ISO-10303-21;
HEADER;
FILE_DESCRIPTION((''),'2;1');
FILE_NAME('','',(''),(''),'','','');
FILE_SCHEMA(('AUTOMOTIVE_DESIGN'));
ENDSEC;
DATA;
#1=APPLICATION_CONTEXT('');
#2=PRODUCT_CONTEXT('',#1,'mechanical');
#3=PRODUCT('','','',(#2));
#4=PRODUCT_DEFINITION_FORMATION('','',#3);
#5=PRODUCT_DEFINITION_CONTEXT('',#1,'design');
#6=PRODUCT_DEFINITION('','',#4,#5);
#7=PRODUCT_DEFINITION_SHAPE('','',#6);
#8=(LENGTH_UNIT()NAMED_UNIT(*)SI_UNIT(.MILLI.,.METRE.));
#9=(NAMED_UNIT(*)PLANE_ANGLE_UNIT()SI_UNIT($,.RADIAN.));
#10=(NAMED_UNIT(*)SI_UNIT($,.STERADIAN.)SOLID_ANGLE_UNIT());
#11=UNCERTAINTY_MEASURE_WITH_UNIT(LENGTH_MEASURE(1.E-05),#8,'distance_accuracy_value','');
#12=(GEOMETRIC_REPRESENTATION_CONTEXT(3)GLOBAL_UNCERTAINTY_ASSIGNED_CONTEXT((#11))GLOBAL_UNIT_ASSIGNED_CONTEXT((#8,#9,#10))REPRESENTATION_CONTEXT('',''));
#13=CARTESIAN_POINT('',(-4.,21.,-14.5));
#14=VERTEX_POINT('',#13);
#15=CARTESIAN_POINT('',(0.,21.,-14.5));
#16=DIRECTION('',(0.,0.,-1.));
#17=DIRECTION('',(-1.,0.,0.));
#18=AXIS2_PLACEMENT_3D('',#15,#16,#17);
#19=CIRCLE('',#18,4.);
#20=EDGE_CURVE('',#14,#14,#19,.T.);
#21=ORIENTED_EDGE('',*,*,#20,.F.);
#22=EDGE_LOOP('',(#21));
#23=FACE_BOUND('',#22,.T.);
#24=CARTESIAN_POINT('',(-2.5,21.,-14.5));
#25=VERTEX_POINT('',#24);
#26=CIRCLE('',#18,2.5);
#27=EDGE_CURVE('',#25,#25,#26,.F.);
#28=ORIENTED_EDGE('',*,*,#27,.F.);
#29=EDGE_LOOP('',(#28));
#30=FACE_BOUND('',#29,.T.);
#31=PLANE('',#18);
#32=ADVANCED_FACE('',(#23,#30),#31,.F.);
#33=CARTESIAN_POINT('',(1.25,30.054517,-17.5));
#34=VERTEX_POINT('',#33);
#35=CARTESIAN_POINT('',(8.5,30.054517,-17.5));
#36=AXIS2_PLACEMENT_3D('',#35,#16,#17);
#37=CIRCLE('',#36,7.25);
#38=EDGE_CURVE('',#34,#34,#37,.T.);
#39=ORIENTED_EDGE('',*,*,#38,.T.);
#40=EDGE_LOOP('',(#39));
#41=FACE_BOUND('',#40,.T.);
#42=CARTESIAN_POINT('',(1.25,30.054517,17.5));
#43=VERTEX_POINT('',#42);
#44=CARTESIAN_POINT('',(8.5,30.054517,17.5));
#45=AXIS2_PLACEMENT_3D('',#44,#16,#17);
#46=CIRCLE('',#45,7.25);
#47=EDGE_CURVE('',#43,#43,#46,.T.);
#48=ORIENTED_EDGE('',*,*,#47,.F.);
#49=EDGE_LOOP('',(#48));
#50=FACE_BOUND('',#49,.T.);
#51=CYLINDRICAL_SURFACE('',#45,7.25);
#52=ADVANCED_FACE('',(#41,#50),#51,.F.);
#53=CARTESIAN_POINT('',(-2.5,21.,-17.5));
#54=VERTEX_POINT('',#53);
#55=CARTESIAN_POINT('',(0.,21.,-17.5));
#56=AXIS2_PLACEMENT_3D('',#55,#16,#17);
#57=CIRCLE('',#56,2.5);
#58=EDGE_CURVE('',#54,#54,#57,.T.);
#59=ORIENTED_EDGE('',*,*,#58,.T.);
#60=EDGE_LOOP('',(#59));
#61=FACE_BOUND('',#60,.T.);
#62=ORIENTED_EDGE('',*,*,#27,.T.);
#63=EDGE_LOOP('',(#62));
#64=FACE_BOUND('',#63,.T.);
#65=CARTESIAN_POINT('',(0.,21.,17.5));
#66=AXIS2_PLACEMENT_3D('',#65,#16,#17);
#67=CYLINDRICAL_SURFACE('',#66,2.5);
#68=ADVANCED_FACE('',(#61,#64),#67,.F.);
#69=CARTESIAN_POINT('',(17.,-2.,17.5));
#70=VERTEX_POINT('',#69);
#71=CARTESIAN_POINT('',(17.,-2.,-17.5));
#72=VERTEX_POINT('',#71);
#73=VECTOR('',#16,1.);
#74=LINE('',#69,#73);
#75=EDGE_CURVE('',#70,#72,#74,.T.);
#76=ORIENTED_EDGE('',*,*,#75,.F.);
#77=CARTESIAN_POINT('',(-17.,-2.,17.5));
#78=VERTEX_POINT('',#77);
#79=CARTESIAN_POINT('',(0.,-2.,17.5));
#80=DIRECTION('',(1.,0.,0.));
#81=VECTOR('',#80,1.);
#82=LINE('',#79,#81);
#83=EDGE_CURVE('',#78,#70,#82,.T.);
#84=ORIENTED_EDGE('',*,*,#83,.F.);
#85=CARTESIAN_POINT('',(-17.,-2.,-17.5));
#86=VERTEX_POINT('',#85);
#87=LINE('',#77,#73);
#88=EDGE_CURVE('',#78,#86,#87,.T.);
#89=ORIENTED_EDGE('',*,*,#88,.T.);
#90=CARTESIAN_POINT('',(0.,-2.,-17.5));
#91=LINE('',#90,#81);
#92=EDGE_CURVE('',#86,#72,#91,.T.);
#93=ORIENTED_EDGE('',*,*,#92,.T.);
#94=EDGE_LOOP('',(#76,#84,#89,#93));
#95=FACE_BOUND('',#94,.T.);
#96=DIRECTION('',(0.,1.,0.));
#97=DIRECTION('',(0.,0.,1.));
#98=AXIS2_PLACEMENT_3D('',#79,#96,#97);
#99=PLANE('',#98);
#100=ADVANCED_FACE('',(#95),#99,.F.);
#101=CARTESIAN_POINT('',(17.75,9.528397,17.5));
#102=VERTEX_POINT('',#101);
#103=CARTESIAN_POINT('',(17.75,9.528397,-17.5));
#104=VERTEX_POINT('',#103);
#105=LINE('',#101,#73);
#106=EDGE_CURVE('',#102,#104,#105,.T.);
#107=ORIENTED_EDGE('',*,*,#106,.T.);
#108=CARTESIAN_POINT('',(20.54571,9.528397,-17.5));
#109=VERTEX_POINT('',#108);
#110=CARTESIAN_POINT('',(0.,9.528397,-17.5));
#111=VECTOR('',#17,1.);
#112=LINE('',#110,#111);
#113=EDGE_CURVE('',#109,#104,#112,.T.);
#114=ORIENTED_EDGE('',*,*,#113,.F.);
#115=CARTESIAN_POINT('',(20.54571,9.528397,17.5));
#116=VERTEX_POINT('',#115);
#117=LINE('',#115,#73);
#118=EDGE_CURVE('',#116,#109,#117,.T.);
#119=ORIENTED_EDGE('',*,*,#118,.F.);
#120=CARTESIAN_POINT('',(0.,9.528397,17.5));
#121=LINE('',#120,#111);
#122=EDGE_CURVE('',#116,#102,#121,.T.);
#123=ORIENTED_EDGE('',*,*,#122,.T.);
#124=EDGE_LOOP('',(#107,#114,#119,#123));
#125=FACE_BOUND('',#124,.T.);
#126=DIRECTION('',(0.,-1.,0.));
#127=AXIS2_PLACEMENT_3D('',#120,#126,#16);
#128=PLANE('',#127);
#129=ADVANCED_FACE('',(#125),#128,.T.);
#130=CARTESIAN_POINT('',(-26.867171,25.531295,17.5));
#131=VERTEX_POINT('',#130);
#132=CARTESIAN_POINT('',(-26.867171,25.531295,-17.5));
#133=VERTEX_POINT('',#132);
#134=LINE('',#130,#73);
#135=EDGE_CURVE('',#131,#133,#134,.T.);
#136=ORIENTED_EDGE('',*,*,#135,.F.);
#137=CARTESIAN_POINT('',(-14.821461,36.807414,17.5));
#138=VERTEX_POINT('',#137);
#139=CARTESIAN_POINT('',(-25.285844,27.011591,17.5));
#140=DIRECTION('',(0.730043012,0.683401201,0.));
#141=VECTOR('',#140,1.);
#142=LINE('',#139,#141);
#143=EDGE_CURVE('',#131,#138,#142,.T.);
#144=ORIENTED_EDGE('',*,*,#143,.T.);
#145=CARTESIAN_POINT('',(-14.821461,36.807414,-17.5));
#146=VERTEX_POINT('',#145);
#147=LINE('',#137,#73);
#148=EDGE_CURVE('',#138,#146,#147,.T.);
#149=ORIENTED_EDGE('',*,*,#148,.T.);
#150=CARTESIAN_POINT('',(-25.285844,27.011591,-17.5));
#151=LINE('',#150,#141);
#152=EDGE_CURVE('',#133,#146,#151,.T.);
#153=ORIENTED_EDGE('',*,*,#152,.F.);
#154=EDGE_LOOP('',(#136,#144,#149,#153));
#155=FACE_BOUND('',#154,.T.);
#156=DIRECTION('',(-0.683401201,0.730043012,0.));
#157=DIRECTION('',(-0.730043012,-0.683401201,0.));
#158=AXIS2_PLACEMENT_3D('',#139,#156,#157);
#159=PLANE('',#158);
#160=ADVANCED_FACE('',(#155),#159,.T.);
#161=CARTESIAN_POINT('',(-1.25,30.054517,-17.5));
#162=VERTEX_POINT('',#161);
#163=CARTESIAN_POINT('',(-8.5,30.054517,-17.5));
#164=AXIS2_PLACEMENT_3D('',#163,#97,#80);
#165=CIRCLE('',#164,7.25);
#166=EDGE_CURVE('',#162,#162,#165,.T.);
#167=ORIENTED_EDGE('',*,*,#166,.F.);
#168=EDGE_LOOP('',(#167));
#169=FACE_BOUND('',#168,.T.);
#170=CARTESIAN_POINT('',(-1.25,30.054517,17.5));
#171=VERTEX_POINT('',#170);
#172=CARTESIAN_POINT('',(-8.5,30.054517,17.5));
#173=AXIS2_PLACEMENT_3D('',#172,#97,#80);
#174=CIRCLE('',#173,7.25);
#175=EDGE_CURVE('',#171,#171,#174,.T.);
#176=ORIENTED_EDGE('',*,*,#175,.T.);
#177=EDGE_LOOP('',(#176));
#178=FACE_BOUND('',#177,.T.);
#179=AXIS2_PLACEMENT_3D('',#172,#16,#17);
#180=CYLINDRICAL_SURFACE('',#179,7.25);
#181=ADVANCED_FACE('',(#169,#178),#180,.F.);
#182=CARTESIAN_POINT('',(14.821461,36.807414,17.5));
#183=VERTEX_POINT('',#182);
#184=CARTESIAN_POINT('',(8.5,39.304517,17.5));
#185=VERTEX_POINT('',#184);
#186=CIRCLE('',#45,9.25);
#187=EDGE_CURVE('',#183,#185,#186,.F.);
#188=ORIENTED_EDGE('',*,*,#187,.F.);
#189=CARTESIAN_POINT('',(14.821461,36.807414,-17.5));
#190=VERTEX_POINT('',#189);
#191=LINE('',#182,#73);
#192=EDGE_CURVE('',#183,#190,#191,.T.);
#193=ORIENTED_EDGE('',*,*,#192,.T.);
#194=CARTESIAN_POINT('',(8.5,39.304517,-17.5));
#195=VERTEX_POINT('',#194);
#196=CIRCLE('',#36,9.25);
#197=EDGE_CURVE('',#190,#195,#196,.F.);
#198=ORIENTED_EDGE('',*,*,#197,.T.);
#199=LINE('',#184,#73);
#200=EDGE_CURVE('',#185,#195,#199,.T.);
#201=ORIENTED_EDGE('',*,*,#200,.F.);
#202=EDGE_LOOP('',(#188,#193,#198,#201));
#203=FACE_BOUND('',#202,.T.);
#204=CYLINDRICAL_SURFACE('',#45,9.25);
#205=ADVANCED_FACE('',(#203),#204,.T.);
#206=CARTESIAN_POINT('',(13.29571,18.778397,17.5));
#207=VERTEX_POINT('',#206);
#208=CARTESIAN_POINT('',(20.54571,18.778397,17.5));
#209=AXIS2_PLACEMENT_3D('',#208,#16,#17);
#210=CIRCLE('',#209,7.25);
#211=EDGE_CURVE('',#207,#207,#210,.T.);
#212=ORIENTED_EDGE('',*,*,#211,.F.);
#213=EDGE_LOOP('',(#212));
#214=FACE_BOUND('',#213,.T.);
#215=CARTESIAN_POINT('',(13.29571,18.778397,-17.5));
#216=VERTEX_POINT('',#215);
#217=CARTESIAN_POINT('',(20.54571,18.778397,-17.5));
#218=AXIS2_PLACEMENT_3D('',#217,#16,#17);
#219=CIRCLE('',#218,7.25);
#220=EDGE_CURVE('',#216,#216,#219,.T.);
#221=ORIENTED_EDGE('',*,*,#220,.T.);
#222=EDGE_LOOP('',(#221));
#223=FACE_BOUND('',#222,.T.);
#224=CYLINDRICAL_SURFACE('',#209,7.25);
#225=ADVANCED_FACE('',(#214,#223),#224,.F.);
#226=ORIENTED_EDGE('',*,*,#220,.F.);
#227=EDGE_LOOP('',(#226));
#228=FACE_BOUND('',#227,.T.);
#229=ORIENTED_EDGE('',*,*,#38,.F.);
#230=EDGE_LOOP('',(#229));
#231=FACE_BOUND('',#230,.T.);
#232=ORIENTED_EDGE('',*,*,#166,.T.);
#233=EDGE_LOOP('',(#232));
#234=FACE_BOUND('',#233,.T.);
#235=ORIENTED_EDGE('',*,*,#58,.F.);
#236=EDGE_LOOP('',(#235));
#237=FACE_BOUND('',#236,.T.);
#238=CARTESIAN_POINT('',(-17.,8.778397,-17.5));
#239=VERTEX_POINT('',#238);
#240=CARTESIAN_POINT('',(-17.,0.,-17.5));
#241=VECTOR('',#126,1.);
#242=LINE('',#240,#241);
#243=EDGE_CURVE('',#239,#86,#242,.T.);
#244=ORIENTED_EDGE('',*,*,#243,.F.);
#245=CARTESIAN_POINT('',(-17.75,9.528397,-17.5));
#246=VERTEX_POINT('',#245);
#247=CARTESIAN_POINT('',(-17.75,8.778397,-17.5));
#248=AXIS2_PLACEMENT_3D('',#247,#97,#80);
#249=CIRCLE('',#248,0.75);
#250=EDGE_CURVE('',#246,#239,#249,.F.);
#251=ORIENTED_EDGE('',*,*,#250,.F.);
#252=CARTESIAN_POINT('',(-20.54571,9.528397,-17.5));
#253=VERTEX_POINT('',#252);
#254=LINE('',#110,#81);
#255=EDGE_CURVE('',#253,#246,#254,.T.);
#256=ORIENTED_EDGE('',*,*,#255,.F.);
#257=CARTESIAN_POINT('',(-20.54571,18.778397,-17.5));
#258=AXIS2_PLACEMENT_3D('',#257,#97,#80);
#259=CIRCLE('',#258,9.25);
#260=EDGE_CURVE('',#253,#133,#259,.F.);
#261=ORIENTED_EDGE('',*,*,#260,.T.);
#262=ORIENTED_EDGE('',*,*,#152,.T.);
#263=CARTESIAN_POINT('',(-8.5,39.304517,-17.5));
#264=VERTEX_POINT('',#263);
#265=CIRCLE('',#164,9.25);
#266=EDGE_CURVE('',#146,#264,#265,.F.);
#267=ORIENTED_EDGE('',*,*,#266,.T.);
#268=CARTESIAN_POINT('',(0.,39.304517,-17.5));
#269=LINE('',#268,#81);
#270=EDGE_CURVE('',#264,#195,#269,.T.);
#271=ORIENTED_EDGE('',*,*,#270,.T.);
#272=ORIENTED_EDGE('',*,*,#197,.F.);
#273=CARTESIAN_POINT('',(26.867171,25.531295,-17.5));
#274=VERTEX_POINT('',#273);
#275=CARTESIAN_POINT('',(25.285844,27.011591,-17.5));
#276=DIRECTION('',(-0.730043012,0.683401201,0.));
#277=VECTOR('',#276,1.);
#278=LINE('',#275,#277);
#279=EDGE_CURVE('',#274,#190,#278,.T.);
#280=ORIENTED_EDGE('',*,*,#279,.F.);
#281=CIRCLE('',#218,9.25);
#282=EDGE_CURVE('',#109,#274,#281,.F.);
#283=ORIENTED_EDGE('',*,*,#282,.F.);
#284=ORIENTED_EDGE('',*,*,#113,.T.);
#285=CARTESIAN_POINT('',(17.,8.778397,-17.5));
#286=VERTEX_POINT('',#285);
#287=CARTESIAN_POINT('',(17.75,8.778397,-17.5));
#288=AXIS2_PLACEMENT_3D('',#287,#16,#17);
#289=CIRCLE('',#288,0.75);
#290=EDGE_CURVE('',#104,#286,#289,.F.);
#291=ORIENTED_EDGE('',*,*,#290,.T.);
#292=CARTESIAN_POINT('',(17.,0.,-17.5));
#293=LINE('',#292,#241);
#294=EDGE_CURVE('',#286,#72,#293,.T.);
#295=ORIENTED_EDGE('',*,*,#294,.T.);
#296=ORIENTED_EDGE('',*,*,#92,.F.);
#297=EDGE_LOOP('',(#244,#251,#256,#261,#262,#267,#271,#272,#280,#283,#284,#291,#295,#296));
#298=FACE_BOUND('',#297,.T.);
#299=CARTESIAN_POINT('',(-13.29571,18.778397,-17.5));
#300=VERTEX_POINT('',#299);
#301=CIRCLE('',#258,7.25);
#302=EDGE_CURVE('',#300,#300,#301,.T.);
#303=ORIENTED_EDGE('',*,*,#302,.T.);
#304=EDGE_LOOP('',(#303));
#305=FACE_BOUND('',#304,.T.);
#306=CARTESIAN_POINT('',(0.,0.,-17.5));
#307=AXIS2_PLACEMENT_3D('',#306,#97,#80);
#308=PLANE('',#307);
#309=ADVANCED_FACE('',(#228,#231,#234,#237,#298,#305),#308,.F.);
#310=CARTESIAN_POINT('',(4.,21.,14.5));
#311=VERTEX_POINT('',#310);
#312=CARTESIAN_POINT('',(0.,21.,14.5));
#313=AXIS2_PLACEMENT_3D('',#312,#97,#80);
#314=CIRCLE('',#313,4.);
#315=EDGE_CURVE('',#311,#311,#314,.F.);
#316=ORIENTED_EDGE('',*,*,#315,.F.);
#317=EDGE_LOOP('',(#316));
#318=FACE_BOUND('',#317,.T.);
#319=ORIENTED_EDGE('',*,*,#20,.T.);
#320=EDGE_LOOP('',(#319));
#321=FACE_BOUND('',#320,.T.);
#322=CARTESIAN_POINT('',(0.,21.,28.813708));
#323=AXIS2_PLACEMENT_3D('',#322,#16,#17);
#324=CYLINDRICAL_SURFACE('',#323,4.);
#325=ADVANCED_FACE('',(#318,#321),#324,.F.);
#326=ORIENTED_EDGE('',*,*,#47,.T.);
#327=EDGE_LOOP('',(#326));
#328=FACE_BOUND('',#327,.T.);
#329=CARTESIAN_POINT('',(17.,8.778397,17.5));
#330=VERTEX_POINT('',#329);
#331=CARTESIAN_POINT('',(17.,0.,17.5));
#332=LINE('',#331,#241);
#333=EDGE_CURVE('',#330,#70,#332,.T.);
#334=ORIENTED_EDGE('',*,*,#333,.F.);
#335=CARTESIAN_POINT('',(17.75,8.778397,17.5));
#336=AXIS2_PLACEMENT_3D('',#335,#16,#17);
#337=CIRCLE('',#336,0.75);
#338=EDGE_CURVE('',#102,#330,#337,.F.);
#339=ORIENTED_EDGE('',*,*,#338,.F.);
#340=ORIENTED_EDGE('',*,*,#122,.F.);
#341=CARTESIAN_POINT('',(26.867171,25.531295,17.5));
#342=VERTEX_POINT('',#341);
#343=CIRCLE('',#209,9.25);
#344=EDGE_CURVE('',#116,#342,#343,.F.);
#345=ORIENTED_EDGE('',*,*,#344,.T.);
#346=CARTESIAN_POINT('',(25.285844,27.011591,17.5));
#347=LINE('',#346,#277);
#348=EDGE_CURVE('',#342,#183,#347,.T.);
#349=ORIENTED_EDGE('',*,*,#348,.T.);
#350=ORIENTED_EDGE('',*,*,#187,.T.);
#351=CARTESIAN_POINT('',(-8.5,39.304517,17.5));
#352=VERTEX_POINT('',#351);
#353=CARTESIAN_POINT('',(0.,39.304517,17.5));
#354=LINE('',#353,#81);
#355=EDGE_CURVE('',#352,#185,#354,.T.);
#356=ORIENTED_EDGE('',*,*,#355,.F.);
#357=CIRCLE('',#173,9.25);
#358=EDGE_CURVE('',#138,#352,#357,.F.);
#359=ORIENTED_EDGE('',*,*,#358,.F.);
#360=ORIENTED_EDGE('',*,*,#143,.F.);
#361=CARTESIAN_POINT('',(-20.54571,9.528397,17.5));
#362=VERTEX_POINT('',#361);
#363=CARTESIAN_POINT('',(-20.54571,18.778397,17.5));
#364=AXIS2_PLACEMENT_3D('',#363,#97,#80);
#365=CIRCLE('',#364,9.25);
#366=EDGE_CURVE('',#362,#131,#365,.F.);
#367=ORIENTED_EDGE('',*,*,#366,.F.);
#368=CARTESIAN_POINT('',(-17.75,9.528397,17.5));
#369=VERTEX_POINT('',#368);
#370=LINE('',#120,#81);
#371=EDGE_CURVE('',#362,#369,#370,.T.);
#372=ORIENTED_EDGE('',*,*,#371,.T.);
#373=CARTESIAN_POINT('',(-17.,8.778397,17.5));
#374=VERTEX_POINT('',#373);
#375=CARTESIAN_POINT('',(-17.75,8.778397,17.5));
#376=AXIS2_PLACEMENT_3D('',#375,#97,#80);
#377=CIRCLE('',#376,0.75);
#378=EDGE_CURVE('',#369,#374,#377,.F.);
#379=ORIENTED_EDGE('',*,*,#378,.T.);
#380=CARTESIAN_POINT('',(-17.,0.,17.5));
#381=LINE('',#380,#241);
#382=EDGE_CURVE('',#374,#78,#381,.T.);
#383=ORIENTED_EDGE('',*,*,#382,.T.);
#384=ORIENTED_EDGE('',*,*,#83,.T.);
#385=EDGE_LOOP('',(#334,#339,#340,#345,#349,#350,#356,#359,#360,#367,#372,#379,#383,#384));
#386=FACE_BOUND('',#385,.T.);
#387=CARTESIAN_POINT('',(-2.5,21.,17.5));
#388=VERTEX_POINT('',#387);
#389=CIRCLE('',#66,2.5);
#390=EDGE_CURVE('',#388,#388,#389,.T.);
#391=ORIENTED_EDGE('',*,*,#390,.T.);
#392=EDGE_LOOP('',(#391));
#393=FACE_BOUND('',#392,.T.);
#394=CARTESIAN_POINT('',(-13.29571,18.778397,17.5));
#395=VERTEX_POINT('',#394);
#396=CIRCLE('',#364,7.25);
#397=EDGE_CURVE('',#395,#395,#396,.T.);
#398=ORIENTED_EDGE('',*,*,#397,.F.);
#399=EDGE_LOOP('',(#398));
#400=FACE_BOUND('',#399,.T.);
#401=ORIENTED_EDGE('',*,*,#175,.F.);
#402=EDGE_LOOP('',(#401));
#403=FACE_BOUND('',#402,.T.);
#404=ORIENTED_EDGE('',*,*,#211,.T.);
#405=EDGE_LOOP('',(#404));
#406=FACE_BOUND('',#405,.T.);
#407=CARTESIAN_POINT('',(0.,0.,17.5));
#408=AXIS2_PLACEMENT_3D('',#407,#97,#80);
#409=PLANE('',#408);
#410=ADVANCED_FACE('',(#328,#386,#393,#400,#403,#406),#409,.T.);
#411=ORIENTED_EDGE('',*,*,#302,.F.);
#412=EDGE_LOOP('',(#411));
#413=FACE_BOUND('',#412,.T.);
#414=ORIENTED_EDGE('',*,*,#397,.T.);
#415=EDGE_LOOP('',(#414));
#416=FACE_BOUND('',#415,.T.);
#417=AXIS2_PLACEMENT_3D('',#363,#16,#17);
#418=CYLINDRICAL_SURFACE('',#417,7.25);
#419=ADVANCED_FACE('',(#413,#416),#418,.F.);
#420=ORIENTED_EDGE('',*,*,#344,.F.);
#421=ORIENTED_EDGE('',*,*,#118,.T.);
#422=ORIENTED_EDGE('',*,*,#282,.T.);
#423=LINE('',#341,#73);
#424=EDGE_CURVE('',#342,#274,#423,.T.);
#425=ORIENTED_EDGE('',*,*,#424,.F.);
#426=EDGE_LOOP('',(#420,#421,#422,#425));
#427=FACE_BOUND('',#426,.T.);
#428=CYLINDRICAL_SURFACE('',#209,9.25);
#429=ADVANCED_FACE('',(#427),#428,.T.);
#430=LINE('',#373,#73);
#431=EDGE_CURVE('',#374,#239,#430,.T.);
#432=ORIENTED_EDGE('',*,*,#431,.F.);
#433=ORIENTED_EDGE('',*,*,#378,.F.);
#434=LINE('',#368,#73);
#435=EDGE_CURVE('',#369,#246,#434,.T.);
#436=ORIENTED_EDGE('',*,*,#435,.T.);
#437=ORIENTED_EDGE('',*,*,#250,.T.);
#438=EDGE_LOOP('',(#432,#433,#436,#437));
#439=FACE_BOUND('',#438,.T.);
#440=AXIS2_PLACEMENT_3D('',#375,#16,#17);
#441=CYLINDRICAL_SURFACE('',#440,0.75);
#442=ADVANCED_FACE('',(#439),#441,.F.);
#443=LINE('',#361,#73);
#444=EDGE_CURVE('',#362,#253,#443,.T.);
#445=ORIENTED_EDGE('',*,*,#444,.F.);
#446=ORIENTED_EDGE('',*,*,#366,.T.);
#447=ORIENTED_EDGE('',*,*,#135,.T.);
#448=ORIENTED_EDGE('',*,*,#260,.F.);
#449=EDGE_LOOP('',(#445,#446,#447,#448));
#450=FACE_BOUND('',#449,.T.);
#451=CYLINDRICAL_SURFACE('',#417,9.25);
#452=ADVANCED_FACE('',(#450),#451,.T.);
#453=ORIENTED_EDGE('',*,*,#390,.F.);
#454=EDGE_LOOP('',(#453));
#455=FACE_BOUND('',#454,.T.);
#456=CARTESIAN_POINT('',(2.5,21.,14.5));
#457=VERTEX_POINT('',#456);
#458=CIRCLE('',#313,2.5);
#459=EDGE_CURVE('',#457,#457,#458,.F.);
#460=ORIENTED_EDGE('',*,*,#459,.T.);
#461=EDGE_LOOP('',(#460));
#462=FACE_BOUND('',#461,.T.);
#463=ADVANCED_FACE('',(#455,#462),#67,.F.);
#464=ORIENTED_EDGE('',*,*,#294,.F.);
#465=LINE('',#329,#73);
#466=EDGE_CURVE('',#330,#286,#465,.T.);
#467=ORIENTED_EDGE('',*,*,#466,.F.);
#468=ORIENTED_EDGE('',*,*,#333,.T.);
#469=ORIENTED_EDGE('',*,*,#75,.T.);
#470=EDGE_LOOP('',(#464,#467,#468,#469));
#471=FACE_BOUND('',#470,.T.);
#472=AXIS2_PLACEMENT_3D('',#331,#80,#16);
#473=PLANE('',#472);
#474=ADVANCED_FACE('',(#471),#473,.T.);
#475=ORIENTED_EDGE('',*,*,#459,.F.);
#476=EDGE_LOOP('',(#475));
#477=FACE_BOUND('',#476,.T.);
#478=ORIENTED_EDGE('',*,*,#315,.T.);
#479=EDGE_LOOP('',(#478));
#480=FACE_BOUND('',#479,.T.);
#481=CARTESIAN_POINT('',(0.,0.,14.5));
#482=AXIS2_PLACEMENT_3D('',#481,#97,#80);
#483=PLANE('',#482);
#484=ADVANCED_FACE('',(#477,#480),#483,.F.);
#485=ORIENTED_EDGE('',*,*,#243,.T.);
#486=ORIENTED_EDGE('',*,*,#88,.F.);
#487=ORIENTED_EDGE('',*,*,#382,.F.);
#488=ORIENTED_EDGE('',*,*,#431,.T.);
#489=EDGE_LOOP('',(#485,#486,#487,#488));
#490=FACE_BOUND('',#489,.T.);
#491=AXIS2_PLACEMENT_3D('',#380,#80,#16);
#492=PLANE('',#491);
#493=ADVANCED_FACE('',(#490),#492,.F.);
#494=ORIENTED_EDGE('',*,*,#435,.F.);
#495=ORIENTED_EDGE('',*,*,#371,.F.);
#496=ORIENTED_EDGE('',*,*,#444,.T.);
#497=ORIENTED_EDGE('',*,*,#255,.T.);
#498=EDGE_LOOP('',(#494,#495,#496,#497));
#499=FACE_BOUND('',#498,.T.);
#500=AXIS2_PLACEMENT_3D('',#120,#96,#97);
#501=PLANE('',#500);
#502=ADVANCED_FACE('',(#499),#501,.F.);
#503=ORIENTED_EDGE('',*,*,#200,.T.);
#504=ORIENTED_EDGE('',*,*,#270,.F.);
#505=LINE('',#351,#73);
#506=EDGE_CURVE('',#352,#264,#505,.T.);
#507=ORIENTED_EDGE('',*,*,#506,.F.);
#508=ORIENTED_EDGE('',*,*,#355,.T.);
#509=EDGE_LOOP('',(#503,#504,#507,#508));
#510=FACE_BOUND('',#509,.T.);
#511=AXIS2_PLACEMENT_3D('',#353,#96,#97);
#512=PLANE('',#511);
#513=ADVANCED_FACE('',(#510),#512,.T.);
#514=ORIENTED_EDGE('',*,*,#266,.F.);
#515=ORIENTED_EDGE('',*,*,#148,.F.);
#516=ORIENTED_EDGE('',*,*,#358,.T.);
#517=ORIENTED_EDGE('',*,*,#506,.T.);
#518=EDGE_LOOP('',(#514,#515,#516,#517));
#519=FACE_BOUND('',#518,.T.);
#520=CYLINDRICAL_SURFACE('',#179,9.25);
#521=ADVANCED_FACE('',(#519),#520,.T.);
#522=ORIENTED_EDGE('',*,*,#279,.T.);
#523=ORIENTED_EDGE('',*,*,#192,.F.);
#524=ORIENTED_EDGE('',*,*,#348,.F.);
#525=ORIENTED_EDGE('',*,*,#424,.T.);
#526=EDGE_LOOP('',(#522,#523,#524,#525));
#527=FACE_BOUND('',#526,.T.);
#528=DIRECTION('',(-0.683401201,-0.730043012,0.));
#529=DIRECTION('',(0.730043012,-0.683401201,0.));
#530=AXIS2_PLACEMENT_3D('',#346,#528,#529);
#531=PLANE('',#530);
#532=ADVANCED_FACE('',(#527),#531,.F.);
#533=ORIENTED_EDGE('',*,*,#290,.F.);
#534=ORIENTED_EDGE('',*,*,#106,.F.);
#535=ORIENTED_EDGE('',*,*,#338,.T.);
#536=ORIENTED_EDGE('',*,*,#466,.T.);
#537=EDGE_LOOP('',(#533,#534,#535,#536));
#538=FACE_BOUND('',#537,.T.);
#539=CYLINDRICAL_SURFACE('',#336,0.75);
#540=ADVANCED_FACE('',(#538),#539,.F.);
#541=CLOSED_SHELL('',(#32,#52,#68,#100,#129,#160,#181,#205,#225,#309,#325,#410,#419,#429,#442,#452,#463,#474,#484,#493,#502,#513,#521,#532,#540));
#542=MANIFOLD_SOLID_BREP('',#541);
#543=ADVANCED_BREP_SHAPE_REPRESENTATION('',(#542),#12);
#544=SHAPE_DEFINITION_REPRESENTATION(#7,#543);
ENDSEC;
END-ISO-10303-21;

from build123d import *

# Parameters (mm, degrees)
SKETCH1_R           = 7.25
BOSS_EXTRUDE1_DEPTH = 17.5
SKETCH2_R           = 2.5
CUT_EXTRUDE1_DEPTH  = 61.478337768
CUT_EXTRUDE2_START  = -32
SKETCH3_R           = 4
CUT_EXTRUDE2_DEPTH  = 29


with BuildPart() as part:
    # Sketch1 → Boss-Extrude1 (new, symmetric)
    with BuildSketch(Plane.XY):
        with BuildLine():
            ThreePointArc((-20.545709694, 9.528396762), (-29.148813935, 15.380000463), (-26.867170799, 25.531294621))
            Line((-26.867170799, 25.531294621), (-14.821461106, 36.807414431))
            ThreePointArc((-14.821461106, 36.807414431), (-11.898396299, 38.657620814), (-8.5, 39.304516572))
            Line((-8.5, 39.304516572), (0, 39.304516572))
            Line((0, 39.304516572), (0, -2))
            Line((0, -2), (-17, -2))
            Line((-17, -2), (-17, 8.778396762))
            ThreePointArc((-17, 8.778396762), (-17.219669914, 9.308726848), (-17.75, 9.528396762))
            Line((-17.75, 9.528396762), (-20.545709694, 9.528396762))
        make_face()
        with Locations((-8.5, 30.054516572)):
            Circle(SKETCH1_R, mode=Mode.SUBTRACT)
        with Locations((-20.545709694, 18.778396762)):
            Circle(SKETCH1_R, mode=Mode.SUBTRACT)
    boss_extrude1 = extrude(amount=BOSS_EXTRUDE1_DEPTH, both=True)

    # Mirror1: Boss-Extrude1 across plane
    add(boss_extrude1.mirror(Plane(origin=(0, 0, 0), x_dir=(0, 0, 1), z_dir=(1, 0, 0))))

    # Sketch2 → Cut-Extrude1 (cut, through all)
    with BuildSketch(Plane(origin=(0, 0, -17.5), x_dir=(-1, 0, 0), z_dir=(0, 0, -1))):
        with Locations((0, 21)):
            Circle(SKETCH2_R)
    extrude(amount=-CUT_EXTRUDE1_DEPTH, mode=Mode.SUBTRACT)

    # Sketch3 → Cut-Extrude2 (cut)
    with BuildSketch(Plane(origin=(0, 0, -17.5), x_dir=(-1, 0, 0), z_dir=(0, 0, -1)).offset(CUT_EXTRUDE2_START)):
        with Locations((0, 21)):
            Circle(SKETCH3_R)
    extrude(amount=CUT_EXTRUDE2_DEPTH, mode=Mode.SUBTRACT)


solid = part.part
